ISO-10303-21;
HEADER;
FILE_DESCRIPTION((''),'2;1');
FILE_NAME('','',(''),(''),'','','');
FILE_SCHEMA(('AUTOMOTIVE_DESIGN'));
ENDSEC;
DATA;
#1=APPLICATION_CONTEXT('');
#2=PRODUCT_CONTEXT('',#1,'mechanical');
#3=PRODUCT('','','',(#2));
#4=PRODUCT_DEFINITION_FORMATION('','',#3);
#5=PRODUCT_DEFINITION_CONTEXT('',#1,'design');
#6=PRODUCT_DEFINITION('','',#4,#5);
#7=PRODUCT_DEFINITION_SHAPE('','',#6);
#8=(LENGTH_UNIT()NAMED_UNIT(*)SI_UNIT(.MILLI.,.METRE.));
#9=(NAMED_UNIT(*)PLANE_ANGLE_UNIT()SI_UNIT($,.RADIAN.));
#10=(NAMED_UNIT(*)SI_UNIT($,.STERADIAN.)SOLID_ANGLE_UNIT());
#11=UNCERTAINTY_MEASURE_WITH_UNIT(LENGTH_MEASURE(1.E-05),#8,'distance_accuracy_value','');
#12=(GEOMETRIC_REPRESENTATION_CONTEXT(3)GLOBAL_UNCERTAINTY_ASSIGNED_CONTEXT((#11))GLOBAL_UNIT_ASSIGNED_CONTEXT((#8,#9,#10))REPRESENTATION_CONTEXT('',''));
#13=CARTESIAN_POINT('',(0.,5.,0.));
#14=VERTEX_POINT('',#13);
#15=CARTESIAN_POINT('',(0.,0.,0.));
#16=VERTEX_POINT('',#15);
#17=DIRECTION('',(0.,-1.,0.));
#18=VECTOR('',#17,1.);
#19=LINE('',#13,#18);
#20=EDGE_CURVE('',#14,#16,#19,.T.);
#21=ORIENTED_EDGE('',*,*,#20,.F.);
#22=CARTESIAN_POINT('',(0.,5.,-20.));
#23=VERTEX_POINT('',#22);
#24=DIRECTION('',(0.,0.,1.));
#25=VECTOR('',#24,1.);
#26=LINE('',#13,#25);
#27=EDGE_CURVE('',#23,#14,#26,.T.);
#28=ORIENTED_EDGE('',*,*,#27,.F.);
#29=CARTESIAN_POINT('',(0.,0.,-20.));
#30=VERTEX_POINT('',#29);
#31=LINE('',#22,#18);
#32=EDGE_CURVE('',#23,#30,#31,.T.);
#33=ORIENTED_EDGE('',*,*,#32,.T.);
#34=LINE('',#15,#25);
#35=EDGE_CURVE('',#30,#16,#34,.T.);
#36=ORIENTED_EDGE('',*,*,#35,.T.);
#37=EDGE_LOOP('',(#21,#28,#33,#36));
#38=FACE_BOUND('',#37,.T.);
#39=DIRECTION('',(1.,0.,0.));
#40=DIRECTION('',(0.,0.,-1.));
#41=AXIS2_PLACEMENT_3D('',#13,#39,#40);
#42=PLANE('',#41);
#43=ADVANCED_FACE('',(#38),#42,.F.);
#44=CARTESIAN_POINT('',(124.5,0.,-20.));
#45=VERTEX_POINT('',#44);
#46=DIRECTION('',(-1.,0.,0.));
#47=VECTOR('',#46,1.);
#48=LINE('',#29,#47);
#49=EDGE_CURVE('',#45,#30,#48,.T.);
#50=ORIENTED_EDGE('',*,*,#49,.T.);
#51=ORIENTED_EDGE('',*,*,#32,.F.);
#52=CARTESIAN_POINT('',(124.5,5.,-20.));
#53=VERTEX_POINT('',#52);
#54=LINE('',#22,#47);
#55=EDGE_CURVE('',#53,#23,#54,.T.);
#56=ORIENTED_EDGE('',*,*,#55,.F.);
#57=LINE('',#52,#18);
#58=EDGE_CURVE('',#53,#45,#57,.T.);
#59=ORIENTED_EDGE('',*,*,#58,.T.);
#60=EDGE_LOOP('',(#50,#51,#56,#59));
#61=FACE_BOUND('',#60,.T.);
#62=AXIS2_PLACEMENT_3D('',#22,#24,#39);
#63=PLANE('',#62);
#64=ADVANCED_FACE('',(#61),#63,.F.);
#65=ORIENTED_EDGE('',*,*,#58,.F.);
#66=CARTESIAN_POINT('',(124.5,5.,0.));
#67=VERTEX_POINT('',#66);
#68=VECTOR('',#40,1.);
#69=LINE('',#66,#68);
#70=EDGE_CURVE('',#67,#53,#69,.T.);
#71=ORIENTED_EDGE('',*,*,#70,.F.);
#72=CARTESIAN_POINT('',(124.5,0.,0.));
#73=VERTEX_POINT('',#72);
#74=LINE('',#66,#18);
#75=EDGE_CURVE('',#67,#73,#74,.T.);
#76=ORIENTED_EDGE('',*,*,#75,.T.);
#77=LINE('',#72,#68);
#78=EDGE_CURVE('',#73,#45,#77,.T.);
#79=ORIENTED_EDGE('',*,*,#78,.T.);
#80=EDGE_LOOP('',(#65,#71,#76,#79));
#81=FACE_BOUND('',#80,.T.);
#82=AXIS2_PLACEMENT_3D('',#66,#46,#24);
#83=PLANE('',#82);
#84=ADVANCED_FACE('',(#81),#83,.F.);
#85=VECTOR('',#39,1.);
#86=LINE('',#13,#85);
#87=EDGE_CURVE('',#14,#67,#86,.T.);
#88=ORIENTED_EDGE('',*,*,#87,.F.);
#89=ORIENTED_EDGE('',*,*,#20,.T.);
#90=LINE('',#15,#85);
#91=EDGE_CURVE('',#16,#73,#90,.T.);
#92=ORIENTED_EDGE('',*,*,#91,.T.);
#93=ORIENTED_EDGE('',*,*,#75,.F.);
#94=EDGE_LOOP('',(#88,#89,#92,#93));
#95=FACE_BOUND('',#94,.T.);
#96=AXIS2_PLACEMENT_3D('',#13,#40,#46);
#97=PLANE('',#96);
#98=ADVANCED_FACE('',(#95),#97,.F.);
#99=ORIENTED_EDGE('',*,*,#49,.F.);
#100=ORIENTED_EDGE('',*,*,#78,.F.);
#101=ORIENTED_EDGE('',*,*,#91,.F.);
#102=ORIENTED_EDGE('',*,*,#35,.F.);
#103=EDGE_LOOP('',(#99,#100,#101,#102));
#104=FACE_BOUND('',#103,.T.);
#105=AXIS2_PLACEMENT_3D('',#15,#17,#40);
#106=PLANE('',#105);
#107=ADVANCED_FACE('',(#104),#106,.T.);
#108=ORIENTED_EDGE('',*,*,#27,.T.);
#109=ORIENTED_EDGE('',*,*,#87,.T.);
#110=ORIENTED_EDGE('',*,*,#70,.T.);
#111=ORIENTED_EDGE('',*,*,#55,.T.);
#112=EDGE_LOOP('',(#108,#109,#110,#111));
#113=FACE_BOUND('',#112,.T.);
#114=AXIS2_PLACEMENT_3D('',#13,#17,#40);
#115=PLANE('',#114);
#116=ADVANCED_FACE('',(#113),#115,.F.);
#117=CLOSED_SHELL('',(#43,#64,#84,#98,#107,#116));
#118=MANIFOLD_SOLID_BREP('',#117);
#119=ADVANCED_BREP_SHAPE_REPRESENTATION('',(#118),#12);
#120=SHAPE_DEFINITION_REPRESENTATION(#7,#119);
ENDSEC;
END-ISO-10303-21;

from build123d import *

# Parameters (mm, degrees)
SKETCH_1_W      = 124.5
SKETCH_1_H      = 20
EXTRUDE_1_DEPTH = 5


with BuildPart() as part:
    # 스케치1 → 보스-돌출1 (new body)
    with BuildSketch(Plane(origin=(0, 0, 0), x_dir=(1, 0, 0), z_dir=(0, 1, 0))):
        with Locations((62.25, 10)):
            Rectangle(SKETCH_1_W, SKETCH_1_H)
    extrude(amount=EXTRUDE_1_DEPTH)


solid = part.part
